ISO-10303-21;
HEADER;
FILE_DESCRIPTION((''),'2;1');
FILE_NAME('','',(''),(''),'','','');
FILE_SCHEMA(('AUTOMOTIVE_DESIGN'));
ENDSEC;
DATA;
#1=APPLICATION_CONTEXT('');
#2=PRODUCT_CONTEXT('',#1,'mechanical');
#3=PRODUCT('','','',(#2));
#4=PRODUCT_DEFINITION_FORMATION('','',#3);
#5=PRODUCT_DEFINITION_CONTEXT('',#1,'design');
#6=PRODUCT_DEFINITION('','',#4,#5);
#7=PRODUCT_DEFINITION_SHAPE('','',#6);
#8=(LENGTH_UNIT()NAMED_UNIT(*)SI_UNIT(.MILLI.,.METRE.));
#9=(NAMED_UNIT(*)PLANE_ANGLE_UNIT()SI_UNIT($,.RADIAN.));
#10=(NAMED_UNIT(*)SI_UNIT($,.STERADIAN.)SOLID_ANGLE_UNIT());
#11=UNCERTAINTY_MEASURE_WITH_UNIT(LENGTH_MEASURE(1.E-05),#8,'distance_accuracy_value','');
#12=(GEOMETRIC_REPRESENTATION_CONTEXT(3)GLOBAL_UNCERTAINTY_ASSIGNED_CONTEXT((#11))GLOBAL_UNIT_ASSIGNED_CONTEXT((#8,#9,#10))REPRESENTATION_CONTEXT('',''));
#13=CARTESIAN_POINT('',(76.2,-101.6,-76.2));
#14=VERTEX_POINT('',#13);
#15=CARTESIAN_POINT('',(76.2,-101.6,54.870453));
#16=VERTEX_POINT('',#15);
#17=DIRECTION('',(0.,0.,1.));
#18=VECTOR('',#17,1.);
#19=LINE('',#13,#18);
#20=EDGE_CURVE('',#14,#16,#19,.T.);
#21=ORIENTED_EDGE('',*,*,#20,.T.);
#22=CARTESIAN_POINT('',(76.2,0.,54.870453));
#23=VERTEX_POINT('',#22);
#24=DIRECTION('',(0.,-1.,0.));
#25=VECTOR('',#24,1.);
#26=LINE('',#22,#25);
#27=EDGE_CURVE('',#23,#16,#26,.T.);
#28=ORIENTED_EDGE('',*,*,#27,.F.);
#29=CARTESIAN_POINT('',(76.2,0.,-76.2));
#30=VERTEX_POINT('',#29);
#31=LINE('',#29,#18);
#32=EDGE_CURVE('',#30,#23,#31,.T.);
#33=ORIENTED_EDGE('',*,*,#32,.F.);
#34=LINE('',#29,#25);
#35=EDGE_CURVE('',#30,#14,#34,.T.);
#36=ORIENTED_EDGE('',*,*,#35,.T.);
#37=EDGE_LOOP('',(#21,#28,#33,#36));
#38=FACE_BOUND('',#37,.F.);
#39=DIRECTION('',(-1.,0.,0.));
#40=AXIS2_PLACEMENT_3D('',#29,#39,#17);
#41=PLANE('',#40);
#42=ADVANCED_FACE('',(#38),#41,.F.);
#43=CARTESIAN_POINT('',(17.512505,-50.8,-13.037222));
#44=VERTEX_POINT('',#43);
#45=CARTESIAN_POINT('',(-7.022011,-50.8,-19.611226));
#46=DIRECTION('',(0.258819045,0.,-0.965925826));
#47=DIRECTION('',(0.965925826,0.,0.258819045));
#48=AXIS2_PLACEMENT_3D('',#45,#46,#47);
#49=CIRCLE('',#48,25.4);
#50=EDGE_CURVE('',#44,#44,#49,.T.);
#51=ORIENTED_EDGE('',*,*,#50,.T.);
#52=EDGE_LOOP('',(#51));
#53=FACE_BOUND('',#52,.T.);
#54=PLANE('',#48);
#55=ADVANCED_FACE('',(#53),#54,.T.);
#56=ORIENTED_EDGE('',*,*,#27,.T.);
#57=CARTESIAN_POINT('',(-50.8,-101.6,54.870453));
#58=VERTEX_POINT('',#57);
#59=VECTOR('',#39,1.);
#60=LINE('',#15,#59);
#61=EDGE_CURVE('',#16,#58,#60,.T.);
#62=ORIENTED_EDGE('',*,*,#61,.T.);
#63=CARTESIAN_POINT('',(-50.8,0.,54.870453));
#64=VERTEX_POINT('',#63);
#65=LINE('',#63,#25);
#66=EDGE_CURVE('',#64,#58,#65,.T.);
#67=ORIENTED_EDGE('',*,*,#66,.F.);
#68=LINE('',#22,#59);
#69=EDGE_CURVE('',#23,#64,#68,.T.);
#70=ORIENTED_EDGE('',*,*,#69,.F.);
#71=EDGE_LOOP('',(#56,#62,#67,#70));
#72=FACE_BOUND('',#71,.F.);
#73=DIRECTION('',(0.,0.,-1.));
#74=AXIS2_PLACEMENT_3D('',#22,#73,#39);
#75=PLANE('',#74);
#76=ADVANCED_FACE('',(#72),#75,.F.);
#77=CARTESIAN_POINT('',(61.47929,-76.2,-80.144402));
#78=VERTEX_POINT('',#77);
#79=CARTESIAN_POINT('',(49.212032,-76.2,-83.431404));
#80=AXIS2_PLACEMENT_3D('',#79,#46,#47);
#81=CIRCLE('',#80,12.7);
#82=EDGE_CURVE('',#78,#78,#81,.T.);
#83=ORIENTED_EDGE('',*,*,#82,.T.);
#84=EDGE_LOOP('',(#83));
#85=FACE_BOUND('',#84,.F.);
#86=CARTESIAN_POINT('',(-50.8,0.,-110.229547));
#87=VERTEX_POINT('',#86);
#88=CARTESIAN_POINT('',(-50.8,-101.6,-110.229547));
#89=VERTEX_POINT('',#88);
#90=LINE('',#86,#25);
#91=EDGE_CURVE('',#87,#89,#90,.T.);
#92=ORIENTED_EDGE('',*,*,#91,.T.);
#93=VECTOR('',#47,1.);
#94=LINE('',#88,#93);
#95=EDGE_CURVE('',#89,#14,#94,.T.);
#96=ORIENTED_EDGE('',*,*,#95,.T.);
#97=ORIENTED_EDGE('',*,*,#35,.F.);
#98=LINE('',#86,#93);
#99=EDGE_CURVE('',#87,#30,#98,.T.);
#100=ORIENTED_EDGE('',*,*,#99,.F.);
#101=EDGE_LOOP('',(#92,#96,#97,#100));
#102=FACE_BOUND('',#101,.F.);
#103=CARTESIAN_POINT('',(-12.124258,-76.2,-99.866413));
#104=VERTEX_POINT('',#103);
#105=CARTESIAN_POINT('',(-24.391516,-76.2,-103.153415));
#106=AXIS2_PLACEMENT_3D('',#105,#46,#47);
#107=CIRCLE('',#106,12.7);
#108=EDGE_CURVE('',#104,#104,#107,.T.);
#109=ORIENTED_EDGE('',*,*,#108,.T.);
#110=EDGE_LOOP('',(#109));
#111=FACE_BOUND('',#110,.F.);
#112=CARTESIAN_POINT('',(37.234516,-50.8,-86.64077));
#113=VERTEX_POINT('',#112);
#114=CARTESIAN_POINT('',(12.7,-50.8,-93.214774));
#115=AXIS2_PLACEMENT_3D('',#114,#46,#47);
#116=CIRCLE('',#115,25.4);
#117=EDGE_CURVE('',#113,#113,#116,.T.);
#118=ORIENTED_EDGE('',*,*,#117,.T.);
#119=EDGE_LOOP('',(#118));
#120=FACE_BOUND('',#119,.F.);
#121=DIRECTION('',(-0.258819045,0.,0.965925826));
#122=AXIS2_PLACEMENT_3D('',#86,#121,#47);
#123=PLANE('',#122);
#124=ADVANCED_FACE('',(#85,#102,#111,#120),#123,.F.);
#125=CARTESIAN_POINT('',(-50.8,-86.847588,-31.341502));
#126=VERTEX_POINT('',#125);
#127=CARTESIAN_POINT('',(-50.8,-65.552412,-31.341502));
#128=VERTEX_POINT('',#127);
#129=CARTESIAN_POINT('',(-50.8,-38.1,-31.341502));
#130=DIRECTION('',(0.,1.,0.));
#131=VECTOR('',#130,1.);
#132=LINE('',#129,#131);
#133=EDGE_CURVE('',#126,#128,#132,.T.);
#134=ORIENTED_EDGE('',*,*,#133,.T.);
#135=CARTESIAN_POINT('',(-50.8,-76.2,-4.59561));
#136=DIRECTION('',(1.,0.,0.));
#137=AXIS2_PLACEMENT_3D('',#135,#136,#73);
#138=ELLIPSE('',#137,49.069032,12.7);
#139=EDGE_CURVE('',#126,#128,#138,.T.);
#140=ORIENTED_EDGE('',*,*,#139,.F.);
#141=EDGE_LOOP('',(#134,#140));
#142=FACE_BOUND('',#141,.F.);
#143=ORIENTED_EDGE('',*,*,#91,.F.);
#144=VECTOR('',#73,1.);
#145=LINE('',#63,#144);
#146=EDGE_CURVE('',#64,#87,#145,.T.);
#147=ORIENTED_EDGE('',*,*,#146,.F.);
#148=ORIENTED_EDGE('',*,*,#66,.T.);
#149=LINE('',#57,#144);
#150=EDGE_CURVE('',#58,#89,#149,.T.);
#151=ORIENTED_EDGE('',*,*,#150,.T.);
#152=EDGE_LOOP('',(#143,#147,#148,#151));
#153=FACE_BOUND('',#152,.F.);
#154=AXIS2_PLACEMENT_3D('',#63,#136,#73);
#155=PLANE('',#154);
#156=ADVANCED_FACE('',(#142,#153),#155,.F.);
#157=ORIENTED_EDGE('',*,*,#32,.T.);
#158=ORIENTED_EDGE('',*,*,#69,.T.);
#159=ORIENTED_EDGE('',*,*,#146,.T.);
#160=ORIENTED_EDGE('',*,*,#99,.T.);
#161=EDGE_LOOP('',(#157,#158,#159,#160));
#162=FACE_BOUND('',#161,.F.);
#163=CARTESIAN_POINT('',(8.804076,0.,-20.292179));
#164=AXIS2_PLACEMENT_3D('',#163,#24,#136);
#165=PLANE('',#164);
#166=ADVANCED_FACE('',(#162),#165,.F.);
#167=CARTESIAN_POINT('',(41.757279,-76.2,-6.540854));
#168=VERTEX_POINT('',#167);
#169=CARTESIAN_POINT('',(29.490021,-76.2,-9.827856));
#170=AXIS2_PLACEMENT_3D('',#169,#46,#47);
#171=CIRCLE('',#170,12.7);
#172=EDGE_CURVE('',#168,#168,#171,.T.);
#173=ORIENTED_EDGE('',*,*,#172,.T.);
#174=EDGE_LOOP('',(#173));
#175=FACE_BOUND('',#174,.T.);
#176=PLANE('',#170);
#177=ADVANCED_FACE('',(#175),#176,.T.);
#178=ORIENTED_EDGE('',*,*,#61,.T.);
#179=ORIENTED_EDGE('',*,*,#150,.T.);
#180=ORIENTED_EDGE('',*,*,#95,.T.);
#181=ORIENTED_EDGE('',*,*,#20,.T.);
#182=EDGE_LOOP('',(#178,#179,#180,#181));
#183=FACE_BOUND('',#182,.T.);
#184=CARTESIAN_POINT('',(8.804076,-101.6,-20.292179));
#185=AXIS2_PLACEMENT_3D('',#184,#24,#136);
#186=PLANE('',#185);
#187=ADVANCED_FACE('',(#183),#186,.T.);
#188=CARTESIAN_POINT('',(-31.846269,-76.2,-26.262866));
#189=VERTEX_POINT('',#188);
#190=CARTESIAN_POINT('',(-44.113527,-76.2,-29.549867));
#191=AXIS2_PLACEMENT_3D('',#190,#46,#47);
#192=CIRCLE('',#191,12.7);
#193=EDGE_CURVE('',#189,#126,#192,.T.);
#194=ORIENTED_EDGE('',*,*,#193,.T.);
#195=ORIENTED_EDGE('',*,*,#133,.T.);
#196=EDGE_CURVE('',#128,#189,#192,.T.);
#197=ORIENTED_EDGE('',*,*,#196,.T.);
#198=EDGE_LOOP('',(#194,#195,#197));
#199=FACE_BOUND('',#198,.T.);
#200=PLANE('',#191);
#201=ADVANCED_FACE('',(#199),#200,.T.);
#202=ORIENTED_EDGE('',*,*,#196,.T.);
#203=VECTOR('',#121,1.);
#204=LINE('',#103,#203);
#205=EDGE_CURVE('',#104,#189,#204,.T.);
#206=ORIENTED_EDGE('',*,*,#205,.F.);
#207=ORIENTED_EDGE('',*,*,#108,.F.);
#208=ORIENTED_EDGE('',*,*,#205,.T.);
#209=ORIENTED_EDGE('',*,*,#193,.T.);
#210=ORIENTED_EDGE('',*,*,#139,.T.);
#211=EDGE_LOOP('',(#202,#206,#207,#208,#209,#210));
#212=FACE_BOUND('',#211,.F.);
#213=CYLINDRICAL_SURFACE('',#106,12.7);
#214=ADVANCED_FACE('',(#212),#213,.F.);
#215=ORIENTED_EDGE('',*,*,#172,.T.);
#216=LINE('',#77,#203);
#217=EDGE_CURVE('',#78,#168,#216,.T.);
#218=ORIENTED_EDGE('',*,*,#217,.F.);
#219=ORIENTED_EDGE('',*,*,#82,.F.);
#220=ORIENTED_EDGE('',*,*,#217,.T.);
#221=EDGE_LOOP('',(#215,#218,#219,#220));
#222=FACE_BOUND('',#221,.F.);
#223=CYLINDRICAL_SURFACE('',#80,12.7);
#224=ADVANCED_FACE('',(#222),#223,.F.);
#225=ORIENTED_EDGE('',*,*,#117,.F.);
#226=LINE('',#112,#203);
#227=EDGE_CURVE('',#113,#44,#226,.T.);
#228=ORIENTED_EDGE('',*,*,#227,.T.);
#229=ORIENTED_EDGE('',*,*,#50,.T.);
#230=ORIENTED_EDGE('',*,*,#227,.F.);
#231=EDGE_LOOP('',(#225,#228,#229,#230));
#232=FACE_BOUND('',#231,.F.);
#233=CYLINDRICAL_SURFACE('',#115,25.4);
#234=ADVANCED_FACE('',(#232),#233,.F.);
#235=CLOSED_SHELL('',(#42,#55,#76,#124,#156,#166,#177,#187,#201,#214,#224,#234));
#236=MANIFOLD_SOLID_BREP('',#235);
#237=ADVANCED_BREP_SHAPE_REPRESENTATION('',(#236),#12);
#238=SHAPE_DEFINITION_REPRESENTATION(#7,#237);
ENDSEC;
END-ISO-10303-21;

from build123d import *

# Parameters (mm, degrees)
F1_DEPTH = 101.6
F2_R     = 25.4
F2_R_2   = 12.7
F3_DEPTH = 76.2


with BuildPart() as f1:
    # F0 (on Front) → F1 (new body)
    with BuildSketch(Plane.XZ):
        Polygon((76.2, 54.8704525612), (-50.8, 54.8704525612), (-50.8, -110.2295474388), (76.2, -76.2), align=None)
    extrude(amount=F1_DEPTH)

    # F2 (on face) → F3 (cut)
    with BuildSketch(Plane(origin=(24.1544321158, 0, -90.1455678842), x_dir=(0.9659258263, 0, 0.2588190451), z_dir=(0.2588190451, 0, -0.9659258263))):
        with Locations((-11.8585007296, 50.8)):
            Circle(F2_R)
        with Locations((-50.2584632736, 76.2)):
            Circle(F2_R_2)
        with Locations((25.9415367264, 76.2)):
            Circle(F2_R_2)
    extrude(amount=-F3_DEPTH, mode=Mode.SUBTRACT)


solid = f1.part
